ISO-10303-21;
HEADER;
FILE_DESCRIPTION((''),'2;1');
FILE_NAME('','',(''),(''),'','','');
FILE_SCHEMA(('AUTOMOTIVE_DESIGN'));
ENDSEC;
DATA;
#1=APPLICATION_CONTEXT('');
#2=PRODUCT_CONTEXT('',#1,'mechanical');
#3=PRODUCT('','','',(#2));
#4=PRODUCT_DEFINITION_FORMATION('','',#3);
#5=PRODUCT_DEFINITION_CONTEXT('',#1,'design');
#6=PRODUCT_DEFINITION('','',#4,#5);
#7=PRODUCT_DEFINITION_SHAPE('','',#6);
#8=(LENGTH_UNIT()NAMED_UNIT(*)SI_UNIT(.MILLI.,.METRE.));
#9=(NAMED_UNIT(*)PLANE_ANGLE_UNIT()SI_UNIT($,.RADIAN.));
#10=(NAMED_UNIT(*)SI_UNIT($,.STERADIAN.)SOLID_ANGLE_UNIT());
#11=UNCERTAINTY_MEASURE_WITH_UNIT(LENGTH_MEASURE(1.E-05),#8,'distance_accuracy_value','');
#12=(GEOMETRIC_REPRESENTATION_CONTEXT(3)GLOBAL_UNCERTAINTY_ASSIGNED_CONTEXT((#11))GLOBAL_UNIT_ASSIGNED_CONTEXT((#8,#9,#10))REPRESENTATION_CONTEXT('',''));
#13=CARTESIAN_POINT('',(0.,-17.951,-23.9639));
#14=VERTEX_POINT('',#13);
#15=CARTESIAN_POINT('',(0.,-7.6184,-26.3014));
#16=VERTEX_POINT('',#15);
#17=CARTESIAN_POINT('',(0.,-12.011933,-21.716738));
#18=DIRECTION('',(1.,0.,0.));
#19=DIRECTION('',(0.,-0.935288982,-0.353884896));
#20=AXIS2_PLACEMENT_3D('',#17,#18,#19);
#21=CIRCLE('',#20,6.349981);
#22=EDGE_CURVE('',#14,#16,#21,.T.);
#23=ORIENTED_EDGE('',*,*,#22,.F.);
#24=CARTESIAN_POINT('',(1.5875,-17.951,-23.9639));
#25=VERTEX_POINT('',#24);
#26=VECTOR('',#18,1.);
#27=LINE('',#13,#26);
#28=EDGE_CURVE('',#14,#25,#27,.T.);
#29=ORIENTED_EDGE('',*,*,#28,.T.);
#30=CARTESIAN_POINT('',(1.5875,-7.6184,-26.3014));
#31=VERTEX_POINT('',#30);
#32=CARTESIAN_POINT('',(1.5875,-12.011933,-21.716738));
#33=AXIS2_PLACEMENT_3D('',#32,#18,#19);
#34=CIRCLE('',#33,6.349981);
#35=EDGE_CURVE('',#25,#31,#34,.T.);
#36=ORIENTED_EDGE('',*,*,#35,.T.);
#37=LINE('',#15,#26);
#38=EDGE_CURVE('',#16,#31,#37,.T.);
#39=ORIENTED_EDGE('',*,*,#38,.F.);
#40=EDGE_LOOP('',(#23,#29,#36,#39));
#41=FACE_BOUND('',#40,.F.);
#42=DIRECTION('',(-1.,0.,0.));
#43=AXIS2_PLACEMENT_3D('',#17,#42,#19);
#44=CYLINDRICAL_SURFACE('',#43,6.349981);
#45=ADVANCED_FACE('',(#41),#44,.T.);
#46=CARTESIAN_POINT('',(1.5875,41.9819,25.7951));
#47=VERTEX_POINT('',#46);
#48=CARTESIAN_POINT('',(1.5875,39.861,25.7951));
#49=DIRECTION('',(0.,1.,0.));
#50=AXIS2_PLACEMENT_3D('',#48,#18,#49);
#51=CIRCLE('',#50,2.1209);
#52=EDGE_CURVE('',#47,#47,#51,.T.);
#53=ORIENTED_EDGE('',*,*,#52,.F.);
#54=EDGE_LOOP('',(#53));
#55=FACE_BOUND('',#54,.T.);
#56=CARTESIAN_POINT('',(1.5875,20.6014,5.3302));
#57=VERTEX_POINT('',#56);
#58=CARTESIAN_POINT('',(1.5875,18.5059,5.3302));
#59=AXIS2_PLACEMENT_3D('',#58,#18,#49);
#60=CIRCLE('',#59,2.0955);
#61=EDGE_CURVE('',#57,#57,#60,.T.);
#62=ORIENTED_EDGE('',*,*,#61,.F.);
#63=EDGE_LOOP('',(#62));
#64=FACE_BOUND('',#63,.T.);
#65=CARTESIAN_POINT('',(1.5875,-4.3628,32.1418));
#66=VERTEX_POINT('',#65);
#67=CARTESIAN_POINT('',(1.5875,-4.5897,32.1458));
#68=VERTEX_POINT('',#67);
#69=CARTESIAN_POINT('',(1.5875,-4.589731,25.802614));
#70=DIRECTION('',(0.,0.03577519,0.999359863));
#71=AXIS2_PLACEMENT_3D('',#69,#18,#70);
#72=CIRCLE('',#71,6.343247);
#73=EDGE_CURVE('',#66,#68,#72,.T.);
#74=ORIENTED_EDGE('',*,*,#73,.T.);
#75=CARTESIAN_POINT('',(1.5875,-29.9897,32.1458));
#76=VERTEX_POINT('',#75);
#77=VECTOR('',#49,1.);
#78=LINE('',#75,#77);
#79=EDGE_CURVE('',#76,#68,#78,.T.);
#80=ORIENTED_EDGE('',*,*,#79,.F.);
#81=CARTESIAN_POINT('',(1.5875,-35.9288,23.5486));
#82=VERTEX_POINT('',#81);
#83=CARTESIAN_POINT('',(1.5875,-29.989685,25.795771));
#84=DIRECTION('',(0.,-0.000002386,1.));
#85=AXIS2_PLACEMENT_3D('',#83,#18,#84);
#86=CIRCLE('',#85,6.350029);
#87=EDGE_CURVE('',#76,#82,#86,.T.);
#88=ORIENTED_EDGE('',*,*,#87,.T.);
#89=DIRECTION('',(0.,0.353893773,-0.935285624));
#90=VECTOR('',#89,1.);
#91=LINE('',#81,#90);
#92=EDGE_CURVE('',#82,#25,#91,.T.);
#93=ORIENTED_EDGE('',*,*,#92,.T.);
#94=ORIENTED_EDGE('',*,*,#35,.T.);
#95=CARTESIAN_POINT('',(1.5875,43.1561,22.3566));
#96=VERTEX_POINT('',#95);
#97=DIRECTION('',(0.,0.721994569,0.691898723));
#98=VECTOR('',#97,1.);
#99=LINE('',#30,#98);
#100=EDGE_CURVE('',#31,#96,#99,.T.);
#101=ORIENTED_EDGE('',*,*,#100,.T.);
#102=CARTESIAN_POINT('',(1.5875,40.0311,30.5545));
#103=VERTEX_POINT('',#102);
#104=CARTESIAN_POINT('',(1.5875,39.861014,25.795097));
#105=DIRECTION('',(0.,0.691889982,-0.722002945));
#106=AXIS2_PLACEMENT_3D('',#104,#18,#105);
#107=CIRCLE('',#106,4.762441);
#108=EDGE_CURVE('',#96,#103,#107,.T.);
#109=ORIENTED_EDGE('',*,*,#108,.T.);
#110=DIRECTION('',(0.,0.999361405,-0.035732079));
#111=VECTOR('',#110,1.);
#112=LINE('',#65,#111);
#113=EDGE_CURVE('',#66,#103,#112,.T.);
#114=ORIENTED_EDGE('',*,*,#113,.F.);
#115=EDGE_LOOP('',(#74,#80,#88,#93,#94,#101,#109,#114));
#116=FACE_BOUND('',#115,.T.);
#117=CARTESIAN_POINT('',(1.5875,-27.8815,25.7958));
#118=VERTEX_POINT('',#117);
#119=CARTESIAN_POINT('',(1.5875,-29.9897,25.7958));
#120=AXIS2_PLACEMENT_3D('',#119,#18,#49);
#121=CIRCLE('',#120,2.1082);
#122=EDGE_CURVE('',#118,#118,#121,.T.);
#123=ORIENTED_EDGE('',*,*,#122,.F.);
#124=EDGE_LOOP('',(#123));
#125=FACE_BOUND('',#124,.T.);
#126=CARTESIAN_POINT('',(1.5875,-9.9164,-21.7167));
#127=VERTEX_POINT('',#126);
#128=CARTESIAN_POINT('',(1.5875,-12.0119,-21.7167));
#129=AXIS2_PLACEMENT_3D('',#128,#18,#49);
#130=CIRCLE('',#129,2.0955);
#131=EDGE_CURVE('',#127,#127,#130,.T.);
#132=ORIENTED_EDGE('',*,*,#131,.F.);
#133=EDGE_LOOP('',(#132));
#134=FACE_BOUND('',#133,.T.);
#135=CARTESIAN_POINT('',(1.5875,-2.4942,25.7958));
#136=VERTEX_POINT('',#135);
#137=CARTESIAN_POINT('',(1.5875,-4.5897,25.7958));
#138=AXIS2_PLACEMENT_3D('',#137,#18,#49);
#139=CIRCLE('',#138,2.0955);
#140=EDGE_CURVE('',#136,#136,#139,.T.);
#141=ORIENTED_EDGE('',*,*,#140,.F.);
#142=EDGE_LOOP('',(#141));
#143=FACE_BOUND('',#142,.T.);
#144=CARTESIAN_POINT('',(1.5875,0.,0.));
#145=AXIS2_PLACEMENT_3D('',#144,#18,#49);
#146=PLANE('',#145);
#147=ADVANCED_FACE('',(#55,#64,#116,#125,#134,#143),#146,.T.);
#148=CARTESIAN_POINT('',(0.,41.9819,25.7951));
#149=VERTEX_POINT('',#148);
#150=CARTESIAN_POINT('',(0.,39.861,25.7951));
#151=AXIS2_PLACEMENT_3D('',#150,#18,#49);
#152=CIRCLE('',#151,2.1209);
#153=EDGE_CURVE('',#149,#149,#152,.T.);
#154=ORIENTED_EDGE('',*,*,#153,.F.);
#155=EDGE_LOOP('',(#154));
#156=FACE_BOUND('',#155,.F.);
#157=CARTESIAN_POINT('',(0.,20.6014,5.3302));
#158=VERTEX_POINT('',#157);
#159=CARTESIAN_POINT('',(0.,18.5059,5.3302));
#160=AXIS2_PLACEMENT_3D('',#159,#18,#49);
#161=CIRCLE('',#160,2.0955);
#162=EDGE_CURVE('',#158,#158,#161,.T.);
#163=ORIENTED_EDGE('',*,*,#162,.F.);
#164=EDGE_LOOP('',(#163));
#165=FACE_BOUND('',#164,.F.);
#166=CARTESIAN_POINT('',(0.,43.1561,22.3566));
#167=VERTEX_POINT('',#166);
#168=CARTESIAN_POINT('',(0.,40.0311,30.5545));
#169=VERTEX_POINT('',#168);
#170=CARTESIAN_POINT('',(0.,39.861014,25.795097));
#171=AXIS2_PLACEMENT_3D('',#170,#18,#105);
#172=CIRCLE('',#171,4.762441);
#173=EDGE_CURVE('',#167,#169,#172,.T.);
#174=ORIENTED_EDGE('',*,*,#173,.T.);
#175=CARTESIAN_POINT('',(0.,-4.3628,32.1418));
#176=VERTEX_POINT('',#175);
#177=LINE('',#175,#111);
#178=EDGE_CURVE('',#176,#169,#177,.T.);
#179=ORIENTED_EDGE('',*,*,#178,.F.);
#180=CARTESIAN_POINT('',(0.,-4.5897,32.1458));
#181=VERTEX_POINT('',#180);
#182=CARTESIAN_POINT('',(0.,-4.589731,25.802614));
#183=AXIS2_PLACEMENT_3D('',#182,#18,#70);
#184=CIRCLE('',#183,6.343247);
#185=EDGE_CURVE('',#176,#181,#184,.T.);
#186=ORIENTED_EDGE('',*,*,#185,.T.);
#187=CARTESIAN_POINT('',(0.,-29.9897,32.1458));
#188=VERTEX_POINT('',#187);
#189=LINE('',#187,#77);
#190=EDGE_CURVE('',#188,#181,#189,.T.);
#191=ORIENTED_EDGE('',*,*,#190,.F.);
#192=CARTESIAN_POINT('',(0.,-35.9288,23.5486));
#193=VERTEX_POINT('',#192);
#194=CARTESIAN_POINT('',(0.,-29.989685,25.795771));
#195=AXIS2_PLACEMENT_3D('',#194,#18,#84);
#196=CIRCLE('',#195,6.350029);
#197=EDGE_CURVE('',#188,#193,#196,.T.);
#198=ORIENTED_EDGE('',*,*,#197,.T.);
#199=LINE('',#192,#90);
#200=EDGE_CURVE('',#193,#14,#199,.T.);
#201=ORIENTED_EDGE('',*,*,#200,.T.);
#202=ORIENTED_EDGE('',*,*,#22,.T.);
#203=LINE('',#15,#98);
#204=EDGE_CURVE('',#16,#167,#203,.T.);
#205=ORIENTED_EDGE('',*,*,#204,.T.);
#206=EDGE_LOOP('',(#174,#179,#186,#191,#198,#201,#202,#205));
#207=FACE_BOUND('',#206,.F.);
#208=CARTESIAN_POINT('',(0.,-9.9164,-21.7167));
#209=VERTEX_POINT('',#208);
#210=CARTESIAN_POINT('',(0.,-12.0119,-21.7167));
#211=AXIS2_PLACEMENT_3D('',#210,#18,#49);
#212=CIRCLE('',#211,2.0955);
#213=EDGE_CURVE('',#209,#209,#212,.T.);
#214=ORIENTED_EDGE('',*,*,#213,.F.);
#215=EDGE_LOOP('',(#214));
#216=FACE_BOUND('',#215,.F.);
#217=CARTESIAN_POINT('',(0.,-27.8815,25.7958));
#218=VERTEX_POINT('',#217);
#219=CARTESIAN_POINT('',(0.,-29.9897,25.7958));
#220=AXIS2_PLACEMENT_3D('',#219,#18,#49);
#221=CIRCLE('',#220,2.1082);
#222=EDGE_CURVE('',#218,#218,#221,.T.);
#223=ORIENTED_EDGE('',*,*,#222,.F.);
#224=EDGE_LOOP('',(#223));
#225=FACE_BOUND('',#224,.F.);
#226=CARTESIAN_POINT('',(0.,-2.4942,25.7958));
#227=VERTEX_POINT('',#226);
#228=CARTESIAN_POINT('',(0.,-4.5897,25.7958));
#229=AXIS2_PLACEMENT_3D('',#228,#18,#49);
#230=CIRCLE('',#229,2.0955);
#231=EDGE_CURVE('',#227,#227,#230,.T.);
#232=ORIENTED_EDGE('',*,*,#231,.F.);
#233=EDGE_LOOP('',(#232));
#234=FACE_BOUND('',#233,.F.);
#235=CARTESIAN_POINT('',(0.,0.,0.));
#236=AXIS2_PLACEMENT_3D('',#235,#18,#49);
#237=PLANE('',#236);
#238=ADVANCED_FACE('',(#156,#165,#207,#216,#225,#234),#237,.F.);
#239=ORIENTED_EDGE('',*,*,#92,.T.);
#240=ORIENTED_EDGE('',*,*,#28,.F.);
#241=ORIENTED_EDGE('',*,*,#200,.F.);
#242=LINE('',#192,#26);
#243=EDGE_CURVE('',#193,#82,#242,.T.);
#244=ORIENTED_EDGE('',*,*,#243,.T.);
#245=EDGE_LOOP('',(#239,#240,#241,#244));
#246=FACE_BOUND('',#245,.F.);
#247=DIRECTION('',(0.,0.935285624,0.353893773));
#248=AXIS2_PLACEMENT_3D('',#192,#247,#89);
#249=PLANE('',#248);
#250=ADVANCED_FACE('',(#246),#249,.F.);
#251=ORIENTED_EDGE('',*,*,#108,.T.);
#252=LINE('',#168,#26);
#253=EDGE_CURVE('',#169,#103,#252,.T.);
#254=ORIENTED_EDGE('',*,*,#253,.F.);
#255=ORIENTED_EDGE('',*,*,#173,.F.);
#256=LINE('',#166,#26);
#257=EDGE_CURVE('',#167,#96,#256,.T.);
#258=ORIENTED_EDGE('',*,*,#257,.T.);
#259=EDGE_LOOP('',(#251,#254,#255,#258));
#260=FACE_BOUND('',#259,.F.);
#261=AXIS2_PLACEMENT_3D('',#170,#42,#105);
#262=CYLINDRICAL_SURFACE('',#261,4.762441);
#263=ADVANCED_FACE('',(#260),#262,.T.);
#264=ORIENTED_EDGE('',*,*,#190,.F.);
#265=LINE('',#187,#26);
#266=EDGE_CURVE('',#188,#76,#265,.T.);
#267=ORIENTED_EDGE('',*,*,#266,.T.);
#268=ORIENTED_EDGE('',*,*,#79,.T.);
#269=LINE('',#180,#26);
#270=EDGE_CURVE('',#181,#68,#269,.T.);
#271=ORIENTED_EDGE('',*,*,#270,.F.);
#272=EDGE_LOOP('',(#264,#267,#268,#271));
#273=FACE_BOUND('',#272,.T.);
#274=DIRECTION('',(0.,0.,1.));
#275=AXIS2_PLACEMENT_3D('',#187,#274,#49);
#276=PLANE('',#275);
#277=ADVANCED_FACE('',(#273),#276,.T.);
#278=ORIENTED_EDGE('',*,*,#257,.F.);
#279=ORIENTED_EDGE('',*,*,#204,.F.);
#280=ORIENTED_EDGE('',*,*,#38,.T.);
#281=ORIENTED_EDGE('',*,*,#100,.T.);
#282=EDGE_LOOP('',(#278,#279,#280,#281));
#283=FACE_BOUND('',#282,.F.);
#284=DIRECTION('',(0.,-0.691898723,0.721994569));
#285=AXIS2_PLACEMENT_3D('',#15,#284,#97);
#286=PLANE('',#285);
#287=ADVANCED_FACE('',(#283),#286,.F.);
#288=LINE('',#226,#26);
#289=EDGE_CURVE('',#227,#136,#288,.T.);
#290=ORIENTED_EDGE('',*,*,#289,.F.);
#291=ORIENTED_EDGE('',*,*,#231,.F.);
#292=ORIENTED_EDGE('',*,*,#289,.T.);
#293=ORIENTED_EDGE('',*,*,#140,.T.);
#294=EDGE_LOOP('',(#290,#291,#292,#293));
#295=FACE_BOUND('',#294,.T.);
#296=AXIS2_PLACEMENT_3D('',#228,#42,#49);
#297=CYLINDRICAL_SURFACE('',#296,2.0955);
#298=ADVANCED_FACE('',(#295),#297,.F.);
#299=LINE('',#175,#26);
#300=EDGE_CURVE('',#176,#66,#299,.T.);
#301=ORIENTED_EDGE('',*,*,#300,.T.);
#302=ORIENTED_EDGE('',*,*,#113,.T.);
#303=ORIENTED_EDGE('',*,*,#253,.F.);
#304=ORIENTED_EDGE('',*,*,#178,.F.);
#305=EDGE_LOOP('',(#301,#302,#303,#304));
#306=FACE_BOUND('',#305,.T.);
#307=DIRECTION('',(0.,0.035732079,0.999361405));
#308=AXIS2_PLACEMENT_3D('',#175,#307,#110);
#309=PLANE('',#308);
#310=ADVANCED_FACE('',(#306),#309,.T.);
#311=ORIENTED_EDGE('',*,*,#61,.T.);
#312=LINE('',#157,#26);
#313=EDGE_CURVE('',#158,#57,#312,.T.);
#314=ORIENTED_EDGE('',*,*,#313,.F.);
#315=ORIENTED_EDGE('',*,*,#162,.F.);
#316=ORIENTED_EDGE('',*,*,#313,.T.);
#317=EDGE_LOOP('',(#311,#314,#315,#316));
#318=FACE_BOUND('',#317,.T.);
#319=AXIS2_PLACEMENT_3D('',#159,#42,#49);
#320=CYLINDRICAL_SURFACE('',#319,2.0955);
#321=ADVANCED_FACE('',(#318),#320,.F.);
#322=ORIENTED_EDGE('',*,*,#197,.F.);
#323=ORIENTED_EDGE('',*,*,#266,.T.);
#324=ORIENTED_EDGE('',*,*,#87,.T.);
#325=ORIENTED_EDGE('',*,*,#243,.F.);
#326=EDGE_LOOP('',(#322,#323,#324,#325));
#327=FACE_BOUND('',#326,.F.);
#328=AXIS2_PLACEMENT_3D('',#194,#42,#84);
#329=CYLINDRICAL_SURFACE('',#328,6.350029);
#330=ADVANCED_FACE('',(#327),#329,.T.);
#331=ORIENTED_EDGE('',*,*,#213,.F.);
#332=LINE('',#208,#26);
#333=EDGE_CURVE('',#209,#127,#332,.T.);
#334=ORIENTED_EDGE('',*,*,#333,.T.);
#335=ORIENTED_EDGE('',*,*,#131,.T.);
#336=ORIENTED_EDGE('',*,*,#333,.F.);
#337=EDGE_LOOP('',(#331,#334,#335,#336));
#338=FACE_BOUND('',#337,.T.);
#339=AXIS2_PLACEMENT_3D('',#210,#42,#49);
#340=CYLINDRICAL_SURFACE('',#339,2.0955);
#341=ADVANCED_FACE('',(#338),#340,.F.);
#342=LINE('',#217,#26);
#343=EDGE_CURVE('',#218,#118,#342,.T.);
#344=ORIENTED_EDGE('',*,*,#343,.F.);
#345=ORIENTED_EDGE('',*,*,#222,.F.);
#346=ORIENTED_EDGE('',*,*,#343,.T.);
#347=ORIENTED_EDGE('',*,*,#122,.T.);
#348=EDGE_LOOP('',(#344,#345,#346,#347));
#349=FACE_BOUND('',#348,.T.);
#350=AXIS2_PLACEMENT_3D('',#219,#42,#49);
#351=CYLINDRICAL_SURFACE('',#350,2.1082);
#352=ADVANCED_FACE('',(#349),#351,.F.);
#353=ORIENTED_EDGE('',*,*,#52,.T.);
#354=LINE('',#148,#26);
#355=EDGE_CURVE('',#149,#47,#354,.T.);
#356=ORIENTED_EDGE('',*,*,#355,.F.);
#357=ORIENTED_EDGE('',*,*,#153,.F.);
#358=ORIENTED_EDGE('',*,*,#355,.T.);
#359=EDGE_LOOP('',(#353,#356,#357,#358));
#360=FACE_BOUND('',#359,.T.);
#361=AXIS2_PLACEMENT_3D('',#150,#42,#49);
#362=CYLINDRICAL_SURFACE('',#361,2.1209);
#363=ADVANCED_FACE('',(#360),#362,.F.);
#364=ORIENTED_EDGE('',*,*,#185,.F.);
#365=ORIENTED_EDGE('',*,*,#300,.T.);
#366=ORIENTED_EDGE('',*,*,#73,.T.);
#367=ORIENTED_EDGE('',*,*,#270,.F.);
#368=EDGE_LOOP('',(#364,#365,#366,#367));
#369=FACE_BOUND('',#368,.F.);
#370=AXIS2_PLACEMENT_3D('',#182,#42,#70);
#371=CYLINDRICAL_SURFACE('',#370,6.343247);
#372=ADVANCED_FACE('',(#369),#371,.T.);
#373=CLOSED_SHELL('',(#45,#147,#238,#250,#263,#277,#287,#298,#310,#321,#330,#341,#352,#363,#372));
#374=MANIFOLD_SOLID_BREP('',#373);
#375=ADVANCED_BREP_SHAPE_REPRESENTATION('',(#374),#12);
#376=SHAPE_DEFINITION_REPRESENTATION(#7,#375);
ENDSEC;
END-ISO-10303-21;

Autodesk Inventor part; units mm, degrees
ref_plane "YZ Plane" through (0, 0, 0) normal (1, 0, 0) x (0, 1, 0)
ref_plane "XZ Plane" through (0, 0, 0) normal (0, 1, 0) x (-1, 0, 0)
ref_plane "XY Plane" through (0, 0, 0) normal (0, 0, 1) x (1, 0, 0)
sketch "Sketch1" plane through (0, 0, 0) normal (1, 0, 0) x (0, 1, 0)
  circle A0 centre (-29.9897, 25.7958) radius 2.1082
  circle A1 centre (-12.0119, -21.7167) radius 2.0955
  circle A2 centre (-4.5897, 25.7958) radius 2.0955
  arc A3 (-29.9897, 32.1458) -> (-35.9288, 23.5486) centre (-29.9897, 25.7958) ccw
  arc A4 (-17.951, -23.9639) -> (-7.6184, -26.3014) centre (-12.0119, -21.7167) ccw
  arc A5 (-4.3628, 32.1418) -> (-5.3835, 32.096) centre (-4.5897, 25.7958) ccw
  arc A6 (43.1561, 22.3566) -> (40.0311, 30.5545) centre (39.861, 25.7951) ccw
  line L0 (-29.9897, 32.1458) -> (-4.5897, 32.1458)
  line L1 (-35.9288, 23.5486) -> (-17.951, -23.9639)
  line L2 (-7.6184, -26.3014) -> (43.1561, 22.3566)
  line L3 (-4.3628, 32.1418) -> (40.0311, 30.5545)
  circle A7 centre (39.861, 25.7951) radius 2.1209
  circle A8 centre (18.5059, 5.3302) radius 2.0955
  point P0 (0, 0)
  dimension "d0" = 4.2164
  dimension "d1" = 4.191
  dimension "d2" = 12.7
  dimension "d3" = 12.7
  dimension "d4" = 12.7
  dimension "d5" = 9.525
  dimension "d6" = 4.2418
  dimension "d10" = 4.191
extrude "Extrusion1" add sketch "Sketch1" along normal blind 1.5875
properties part number "Gusset" material "Acetal Resin, White"
